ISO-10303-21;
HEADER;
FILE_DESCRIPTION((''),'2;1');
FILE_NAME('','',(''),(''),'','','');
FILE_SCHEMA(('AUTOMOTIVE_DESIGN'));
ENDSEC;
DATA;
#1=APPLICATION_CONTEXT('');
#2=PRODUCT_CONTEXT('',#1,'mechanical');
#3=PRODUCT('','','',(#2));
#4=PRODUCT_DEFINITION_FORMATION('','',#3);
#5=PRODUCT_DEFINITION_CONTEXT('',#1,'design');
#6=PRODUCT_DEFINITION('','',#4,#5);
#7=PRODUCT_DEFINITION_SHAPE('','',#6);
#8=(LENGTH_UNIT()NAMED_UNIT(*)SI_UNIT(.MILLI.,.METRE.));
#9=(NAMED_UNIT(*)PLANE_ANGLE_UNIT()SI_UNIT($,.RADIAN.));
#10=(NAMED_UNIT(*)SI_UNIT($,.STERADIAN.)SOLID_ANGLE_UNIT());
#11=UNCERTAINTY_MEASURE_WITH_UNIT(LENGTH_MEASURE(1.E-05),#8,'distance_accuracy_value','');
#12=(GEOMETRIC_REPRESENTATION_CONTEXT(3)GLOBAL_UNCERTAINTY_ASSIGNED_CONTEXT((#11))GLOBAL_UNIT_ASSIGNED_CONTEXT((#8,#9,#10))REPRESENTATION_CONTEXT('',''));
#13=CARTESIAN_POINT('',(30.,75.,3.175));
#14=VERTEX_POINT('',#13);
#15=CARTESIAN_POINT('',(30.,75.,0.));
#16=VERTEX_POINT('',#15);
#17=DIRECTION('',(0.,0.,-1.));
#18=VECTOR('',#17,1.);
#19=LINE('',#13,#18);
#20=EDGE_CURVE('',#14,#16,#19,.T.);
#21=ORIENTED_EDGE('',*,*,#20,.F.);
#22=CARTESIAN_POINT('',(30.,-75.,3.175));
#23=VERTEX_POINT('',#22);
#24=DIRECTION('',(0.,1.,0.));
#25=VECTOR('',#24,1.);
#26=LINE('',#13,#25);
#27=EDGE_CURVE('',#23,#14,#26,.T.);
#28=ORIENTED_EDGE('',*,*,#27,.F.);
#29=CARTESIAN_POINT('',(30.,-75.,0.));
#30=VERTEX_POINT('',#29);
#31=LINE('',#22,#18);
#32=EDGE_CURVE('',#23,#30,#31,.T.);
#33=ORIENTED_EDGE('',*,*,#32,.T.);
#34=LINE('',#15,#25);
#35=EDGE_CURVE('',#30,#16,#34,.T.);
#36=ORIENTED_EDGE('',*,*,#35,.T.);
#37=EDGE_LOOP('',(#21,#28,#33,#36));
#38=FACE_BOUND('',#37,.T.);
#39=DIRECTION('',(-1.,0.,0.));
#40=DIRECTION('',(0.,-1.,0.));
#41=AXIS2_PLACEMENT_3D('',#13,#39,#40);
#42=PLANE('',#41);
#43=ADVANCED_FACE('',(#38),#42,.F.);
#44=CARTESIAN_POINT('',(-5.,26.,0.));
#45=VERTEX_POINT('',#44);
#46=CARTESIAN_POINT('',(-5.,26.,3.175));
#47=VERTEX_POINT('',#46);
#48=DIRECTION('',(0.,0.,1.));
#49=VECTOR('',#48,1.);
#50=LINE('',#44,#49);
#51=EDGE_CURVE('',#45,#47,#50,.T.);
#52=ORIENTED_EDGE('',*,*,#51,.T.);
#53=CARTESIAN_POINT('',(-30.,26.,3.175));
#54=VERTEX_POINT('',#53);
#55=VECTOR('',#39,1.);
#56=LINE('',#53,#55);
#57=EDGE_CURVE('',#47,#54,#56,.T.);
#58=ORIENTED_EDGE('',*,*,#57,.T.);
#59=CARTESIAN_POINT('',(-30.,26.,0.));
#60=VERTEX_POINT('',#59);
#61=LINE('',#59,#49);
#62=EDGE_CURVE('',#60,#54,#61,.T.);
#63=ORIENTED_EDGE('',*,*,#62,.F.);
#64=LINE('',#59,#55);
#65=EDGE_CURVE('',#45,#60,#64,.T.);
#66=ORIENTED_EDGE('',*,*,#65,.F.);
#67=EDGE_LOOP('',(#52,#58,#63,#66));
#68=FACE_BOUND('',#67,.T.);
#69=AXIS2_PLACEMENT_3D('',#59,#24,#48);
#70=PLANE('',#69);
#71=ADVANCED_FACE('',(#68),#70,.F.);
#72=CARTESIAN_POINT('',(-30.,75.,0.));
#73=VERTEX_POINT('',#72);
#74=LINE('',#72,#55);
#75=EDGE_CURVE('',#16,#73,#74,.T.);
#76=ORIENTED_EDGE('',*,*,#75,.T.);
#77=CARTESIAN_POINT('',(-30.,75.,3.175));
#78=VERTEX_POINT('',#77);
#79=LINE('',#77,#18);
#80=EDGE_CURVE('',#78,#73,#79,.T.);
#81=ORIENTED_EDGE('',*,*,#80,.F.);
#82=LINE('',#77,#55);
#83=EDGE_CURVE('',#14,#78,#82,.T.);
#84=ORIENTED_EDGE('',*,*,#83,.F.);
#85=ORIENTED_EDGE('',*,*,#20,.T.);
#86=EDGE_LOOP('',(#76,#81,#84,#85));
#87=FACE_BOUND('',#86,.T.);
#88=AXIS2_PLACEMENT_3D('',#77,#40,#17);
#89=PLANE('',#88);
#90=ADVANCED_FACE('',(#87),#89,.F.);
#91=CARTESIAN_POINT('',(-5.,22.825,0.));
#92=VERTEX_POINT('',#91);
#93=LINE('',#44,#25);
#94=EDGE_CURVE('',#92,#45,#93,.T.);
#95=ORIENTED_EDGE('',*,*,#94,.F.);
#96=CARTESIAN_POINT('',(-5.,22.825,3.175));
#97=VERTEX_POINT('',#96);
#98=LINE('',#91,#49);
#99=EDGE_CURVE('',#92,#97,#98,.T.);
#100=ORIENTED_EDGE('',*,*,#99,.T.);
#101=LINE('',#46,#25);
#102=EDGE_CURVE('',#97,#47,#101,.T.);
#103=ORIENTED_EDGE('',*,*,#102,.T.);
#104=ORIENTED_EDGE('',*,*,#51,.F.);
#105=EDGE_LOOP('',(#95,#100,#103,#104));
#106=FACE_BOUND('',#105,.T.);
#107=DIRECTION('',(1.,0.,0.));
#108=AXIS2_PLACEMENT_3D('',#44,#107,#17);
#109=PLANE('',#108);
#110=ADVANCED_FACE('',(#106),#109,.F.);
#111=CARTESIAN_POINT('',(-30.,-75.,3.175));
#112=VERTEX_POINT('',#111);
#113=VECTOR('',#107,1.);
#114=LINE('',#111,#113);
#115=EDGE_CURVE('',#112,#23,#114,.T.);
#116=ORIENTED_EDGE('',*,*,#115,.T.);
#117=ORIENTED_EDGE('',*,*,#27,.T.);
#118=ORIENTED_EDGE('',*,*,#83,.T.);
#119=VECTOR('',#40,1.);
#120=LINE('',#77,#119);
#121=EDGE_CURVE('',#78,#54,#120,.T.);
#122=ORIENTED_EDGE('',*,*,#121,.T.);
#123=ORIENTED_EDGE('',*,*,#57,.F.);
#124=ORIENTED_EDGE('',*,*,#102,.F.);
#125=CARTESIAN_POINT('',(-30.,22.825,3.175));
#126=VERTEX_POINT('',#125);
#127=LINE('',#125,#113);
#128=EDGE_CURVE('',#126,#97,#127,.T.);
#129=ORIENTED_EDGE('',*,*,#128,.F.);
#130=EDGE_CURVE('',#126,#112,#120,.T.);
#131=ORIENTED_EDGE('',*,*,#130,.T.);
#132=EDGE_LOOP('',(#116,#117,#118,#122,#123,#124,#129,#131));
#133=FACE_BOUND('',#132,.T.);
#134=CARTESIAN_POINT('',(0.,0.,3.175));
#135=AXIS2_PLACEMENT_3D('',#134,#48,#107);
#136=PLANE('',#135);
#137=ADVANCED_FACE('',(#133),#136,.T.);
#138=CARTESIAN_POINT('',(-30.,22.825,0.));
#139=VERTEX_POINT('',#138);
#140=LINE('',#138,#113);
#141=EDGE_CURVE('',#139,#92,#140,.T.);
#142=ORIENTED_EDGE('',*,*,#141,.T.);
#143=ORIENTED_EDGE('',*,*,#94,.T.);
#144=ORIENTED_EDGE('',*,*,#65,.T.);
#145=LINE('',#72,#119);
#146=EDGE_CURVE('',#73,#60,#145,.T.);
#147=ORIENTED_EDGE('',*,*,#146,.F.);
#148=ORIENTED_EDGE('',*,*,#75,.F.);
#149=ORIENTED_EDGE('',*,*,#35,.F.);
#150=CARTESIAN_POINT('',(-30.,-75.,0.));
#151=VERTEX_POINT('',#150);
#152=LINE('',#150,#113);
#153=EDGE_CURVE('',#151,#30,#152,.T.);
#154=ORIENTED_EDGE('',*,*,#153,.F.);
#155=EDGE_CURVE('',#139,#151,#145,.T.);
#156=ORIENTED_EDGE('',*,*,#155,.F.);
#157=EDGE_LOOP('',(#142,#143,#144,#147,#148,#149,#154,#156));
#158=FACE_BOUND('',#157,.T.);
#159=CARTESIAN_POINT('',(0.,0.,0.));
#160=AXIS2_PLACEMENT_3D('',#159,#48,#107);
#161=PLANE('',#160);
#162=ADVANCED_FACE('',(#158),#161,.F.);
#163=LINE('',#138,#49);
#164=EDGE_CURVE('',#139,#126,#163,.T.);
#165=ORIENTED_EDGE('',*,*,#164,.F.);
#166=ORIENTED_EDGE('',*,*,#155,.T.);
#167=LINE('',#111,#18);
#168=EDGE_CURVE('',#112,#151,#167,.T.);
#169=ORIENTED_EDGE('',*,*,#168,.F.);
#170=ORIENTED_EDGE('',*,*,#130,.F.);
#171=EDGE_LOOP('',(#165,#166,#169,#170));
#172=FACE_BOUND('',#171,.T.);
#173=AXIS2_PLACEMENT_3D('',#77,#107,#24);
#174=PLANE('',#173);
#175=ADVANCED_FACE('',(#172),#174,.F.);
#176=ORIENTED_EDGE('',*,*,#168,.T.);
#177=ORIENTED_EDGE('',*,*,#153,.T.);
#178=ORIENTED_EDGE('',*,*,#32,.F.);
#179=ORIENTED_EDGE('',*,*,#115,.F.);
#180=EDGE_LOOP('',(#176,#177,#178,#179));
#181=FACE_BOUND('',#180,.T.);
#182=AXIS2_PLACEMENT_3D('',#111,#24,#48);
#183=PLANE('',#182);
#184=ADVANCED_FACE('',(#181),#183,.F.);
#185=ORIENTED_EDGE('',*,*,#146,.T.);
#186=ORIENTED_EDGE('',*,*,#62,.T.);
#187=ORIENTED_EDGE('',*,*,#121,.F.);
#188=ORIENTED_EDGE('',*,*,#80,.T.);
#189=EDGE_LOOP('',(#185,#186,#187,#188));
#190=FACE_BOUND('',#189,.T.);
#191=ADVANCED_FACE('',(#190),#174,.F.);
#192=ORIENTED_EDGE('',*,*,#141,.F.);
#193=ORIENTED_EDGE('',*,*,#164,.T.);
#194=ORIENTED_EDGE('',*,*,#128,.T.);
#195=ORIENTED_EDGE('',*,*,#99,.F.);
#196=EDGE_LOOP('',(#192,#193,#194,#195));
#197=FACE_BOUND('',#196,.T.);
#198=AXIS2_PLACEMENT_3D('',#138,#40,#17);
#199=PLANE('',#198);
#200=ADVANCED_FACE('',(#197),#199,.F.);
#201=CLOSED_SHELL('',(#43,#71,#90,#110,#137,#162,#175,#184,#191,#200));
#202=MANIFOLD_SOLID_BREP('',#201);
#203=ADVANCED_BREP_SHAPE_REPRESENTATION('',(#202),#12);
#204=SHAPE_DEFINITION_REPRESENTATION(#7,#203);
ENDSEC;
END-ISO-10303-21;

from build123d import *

# Parameters (mm, degrees)
SKETCH1_W           = 60
SKETCH1_H           = 150
BOSS_EXTRUDE1_DEPTH = 3.175
SKETCH2_W           = 25
SKETCH2_H           = 3.175
CUT_EXTRUDE1_DEPTH  = 3.175


with BuildPart() as part:
    # Sketch1 → Boss-Extrude1 (new body)
    with BuildSketch(Plane.XY):
        Rectangle(SKETCH1_W, SKETCH1_H)
    extrude(amount=BOSS_EXTRUDE1_DEPTH)

    # Sketch2 → Cut-Extrude1 (cut)
    with BuildSketch(Plane.XY.offset(3.175)):
        with Locations((-17.5, 24.4125)):
            Rectangle(SKETCH2_W, SKETCH2_H)
    extrude(amount=-CUT_EXTRUDE1_DEPTH, mode=Mode.SUBTRACT)


solid = part.part
